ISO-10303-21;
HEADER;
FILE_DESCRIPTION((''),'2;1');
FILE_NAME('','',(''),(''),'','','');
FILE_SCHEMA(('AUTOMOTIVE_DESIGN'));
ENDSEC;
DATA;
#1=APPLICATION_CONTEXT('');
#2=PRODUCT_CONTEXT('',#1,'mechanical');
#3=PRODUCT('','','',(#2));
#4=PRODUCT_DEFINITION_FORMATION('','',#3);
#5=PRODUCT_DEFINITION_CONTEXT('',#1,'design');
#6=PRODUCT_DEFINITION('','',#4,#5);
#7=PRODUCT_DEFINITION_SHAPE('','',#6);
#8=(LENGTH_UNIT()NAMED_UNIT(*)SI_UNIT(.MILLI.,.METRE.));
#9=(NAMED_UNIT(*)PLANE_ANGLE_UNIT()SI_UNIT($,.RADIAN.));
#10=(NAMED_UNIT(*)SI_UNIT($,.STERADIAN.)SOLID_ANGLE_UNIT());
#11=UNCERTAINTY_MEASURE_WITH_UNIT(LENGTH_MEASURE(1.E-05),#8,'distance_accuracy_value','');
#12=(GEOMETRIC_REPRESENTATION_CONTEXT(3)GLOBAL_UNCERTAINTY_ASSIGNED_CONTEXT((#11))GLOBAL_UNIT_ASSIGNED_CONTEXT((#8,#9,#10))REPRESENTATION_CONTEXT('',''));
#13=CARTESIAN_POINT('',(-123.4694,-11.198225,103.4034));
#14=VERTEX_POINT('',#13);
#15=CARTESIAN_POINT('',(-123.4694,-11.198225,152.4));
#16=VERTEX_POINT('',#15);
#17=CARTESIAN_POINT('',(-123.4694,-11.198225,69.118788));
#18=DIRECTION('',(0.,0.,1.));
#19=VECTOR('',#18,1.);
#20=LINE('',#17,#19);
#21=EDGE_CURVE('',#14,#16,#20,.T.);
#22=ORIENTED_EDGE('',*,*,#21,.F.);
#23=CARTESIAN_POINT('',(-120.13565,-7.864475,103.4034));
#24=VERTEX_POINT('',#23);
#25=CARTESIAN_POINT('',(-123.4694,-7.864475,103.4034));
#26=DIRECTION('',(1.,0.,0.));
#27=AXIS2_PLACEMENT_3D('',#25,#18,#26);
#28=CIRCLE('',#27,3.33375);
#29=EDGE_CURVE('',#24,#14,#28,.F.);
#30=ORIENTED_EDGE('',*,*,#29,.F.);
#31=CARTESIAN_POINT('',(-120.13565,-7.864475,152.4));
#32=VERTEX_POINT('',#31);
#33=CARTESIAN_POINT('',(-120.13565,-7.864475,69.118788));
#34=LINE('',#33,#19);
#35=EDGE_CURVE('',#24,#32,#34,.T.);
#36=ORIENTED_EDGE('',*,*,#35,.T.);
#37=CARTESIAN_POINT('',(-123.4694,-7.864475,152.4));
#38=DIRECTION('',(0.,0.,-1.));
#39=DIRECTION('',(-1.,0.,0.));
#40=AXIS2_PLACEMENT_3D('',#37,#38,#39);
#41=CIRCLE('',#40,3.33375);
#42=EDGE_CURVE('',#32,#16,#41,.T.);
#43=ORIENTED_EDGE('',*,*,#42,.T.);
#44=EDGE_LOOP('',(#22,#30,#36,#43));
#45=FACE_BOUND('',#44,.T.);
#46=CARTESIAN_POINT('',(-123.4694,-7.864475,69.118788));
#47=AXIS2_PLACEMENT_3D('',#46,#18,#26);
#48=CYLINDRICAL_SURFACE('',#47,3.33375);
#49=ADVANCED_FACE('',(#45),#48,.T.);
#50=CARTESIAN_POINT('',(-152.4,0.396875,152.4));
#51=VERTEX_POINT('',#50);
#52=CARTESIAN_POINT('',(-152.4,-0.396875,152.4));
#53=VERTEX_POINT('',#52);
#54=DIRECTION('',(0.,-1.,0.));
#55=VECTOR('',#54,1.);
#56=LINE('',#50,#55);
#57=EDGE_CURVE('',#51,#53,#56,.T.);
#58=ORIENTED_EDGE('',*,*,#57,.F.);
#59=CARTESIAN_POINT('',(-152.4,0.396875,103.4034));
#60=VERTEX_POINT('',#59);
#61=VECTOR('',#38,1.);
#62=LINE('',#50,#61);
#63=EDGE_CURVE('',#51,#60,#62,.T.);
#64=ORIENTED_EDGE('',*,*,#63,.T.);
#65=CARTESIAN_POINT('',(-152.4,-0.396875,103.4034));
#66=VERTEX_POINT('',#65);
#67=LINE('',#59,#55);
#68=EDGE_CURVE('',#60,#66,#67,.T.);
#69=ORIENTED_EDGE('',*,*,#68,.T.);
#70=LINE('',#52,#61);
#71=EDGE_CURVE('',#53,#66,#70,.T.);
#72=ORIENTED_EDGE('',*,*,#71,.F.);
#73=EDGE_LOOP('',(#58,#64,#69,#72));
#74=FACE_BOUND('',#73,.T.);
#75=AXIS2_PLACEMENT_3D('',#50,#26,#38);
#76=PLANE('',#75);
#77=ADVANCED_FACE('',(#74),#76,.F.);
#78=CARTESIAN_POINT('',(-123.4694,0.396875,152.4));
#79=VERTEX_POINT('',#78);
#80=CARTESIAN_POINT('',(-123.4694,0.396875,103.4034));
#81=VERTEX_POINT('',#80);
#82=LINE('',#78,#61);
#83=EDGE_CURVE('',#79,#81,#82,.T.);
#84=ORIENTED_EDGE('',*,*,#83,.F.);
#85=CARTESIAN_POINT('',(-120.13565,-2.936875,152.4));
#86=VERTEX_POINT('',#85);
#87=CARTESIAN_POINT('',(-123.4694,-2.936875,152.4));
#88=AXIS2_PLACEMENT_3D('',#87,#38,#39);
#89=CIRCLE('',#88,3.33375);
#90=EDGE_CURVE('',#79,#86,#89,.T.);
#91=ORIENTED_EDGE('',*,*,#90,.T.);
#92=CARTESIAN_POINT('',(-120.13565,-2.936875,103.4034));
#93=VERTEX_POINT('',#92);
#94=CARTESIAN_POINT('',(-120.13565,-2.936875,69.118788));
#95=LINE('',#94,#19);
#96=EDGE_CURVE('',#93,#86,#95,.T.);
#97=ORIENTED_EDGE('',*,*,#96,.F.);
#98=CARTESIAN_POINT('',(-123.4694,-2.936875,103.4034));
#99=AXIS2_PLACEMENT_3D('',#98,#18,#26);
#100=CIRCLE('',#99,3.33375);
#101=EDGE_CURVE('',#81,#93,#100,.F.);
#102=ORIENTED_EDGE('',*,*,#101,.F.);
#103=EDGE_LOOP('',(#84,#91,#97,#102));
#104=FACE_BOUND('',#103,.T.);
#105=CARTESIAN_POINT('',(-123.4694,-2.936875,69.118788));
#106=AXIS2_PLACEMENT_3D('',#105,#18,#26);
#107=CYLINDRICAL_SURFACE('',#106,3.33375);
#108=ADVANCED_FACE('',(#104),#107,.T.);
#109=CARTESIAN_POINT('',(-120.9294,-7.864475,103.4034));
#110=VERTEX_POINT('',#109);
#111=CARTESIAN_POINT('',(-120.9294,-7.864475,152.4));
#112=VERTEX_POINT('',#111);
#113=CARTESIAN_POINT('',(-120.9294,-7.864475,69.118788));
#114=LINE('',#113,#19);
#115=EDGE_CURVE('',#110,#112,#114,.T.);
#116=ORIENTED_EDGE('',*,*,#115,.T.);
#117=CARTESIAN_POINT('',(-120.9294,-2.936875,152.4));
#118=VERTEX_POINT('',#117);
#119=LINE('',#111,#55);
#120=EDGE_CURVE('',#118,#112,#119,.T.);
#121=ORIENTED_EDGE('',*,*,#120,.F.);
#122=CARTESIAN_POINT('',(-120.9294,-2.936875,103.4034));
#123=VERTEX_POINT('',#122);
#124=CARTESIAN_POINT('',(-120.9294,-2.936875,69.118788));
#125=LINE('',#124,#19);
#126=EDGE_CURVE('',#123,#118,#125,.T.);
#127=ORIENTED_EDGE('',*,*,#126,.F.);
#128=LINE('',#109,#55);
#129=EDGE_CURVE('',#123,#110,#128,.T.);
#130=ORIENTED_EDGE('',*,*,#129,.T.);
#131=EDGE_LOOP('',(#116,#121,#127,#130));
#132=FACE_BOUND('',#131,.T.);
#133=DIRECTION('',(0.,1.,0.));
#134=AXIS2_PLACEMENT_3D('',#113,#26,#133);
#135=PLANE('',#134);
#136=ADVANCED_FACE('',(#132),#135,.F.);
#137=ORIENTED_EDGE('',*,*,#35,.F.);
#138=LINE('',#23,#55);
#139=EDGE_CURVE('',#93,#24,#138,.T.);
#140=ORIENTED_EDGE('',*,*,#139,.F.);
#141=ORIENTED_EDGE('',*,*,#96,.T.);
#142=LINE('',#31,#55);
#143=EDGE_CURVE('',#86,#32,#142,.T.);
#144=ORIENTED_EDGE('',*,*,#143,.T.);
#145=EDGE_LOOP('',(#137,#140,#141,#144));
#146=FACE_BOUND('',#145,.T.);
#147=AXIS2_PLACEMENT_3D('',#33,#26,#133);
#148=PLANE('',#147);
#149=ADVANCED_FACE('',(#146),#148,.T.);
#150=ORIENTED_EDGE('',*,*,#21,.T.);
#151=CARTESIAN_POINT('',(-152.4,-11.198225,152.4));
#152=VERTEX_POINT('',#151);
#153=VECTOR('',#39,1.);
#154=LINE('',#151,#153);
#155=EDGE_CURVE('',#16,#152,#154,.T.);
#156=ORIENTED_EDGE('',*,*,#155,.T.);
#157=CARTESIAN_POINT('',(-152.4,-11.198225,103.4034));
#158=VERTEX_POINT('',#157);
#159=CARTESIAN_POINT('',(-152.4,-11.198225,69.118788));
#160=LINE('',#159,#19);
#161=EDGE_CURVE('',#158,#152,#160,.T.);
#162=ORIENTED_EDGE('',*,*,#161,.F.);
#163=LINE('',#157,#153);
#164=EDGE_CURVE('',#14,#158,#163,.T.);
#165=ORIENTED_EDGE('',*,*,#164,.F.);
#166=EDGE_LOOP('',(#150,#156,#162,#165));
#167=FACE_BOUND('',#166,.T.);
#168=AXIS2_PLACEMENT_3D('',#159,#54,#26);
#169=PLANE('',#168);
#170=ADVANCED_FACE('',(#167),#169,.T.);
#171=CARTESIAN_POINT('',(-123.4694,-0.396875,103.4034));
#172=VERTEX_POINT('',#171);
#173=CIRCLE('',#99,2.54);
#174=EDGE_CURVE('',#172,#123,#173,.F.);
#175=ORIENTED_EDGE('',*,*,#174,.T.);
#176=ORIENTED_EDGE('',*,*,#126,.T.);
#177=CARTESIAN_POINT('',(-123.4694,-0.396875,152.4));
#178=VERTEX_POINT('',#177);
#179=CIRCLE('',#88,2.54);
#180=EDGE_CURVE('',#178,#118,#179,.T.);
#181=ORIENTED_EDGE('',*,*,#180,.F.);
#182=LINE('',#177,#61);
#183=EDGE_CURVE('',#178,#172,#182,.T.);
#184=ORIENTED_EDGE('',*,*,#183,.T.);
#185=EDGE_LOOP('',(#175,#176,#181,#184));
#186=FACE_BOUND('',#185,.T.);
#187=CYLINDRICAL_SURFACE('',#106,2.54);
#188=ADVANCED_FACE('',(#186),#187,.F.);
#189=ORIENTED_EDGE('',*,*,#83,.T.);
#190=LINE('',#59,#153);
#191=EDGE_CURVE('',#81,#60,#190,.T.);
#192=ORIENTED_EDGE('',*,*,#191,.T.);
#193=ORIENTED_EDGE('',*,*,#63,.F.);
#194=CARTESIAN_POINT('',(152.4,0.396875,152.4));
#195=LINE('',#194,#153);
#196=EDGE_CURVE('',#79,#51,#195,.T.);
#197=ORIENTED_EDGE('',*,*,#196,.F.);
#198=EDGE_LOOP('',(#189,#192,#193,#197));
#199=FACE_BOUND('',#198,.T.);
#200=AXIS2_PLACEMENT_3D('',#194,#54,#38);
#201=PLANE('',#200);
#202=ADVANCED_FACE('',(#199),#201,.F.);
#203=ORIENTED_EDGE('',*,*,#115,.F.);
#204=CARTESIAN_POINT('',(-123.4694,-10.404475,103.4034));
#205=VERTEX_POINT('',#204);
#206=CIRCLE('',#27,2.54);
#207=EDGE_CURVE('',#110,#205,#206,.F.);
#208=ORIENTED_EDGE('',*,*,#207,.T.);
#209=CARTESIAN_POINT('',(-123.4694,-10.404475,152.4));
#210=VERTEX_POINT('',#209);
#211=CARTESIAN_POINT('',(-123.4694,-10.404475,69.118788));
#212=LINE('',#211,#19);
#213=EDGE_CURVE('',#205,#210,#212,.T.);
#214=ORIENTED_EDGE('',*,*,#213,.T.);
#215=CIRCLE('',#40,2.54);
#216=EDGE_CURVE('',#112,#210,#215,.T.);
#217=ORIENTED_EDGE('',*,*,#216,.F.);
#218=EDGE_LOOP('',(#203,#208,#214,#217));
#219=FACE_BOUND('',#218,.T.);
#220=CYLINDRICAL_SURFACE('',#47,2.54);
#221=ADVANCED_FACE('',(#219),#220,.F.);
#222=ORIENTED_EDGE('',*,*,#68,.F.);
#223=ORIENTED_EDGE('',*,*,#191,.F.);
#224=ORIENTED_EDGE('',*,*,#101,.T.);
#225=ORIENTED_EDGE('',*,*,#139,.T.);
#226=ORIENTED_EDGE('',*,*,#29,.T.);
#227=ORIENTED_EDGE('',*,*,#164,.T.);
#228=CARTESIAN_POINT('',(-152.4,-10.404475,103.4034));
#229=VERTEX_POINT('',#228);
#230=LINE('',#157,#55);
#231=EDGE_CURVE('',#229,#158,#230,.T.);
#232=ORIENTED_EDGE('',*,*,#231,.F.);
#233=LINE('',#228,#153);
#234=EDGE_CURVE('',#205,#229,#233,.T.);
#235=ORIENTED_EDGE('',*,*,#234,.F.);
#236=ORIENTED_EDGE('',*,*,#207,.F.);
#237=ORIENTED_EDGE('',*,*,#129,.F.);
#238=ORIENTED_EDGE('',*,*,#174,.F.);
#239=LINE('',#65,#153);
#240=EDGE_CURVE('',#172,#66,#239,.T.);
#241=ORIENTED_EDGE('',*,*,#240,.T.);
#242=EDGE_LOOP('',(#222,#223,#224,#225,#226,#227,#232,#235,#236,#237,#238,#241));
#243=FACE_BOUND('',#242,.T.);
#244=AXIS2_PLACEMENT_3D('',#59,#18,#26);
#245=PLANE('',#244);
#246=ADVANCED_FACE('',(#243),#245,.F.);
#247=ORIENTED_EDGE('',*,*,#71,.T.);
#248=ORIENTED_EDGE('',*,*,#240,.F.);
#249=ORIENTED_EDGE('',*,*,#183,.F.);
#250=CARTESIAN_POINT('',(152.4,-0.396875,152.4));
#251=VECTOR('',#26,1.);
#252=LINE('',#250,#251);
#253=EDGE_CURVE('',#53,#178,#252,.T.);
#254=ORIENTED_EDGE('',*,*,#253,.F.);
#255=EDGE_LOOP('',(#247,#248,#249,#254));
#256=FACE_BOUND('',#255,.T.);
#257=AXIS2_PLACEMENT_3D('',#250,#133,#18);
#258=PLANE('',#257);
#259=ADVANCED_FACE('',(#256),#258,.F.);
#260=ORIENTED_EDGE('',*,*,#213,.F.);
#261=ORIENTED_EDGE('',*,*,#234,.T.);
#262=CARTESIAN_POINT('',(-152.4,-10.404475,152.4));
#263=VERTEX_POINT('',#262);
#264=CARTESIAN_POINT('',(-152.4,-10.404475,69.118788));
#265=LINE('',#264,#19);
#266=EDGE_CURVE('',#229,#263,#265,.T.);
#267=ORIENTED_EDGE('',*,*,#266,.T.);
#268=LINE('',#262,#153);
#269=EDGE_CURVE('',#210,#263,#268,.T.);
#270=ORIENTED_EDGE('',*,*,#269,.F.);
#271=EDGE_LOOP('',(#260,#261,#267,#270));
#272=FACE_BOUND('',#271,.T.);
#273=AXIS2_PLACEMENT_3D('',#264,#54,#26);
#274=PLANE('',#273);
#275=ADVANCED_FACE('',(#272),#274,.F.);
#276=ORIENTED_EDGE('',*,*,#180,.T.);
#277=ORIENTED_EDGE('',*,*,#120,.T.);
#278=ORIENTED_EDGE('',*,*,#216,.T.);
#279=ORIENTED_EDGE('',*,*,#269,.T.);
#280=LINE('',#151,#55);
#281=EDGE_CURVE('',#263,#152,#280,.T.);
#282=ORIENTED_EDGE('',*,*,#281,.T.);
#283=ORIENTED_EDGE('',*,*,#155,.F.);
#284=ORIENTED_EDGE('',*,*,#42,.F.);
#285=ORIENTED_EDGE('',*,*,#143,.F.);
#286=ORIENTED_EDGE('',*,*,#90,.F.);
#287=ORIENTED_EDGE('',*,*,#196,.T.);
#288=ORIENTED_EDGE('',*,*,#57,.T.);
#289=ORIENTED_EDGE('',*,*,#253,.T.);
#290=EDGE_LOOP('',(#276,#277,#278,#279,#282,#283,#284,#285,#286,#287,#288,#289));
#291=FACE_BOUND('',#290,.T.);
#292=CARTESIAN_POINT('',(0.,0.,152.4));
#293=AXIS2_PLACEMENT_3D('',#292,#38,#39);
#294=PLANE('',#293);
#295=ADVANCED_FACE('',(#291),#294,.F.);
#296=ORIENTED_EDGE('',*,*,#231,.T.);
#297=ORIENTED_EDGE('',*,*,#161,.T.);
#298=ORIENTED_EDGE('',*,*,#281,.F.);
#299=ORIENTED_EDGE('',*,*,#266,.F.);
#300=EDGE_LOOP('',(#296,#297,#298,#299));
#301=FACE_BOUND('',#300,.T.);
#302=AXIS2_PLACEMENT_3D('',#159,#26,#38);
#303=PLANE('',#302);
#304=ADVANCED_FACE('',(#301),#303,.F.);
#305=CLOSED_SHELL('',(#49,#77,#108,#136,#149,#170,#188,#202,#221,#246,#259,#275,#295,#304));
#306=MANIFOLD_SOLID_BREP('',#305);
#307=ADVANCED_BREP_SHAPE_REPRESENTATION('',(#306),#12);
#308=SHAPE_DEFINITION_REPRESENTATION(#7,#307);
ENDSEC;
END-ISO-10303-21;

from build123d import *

# Parameters (mm, degrees)
SKETCH3_W                       = 304.8
SKETCH3_H                       = 0.79375
BOSS_EXTRUDE1_DEPTH             = 152.4
BOSS_EXTRUDE1_DEPTH_BACK        = 152.4
SKETCH4_OUTSIDE_W               = 393.01
SKETCH4_OUTSIDE_H               = 393.01
SKETCH4_OUTSIDE_W_2             = 28.9306
SKETCH4_OUTSIDE_H_2             = 48.9966
CUT_EXTRUDE1_DEPTH              = 1.396875
CUT_EXTRUDE1_DEPTH_BACK         = 1.396875
EXTRUDE_THIN1_REACH             = 26.498
EXTRUDE_THIN1_DIRECTION_2_REACH = 26.498


with BuildPart() as part:
    # Sketch3 → Boss-Extrude1 (new body, two sides)
    with BuildSketch(Plane.XY) as boss_extrude1_sk:
        Rectangle(SKETCH3_W, SKETCH3_H)
    extrude(amount=BOSS_EXTRUDE1_DEPTH)
    extrude(boss_extrude1_sk.sketch, amount=-BOSS_EXTRUDE1_DEPTH_BACK)

    # Sketch4 outside → Cut-Extrude1 (cut, two sides)
    with BuildSketch(Plane(origin=(0, 0, 0), x_dir=(1, 0, 0), z_dir=(0, 1, 0))) as cut_extrude1_sk:
        Rectangle(SKETCH4_OUTSIDE_W, SKETCH4_OUTSIDE_H)
        with Locations((-137.9347, -127.9017)):
            Rectangle(SKETCH4_OUTSIDE_W_2, SKETCH4_OUTSIDE_H_2, mode=Mode.SUBTRACT)
    extrude(amount=CUT_EXTRUDE1_DEPTH, mode=Mode.SUBTRACT)
    extrude(cut_extrude1_sk.sketch, amount=-CUT_EXTRUDE1_DEPTH_BACK, mode=Mode.SUBTRACT)

    # Extrude-Thin1: up to this face of the body (flat: up to its plane)
    extrude_thin1_end = Plane(part.part.faces().sort_by_distance((-137.9347, 0, 103.4034))[0])
    # Sketch5 → Extrude-Thin1 (add, up to the picked face)
    with BuildSketch(Plane.XY.offset(127.9017), mode=Mode.PRIVATE) as extrude_thin1_sk1:
        with BuildLine():
            Line((-152.4, -10.404475), (-123.4694, -10.404475))
            ThreePointArc((-123.4694, -10.404475), (-121.673348776, -9.660526224), (-120.9294, -7.864475))
            Line((-120.9294, -7.864475), (-120.9294, -2.936875))
            ThreePointArc((-120.9294, -2.936875), (-121.673348776, -1.140823776), (-123.4694, -0.396875))
            Line((-123.4694, -0.396875), (-123.4694, 0.396875))
            ThreePointArc((-123.4694, 0.396875), (-121.112082768, -0.579557768), (-120.13565, -2.936875))
            Line((-120.13565, -2.936875), (-120.13565, -7.864475))
            ThreePointArc((-120.13565, -7.864475), (-121.112082768, -10.221792232), (-123.4694, -11.198225))
            Line((-123.4694, -11.198225), (-152.4, -11.198225))
            Line((-152.4, -11.198225), (-152.4, -10.404475))
        make_face()
    extrude_thin1_tool1 = split(extrude(extrude_thin1_sk1.sketch, amount=-EXTRUDE_THIN1_REACH, mode=Mode.PRIVATE), bisect_by=extrude_thin1_end, keep=Keep.BOTH, mode=Mode.PRIVATE)
    add(extrude_thin1_tool1.solids().sort_by_distance((-137.9347, -10.855379, 127.9017))[0])

    # Extrude-Thin1 direction 2: up to this face of the body (flat: up to its plane)
    extrude_thin1_direction_2_end = Plane(part.part.faces().sort_by_distance((-137.9347, 0, 152.4))[0])
    # Sketch5 → Extrude-Thin1 direction 2 (add, up to the picked face)
    with BuildSketch(Plane.XY.offset(127.9017), mode=Mode.PRIVATE) as extrude_thin1_direction_2_sk1:
        with BuildLine():
            Line((-152.4, -10.404475), (-123.4694, -10.404475))
            ThreePointArc((-123.4694, -10.404475), (-121.673348776, -9.660526224), (-120.9294, -7.864475))
            Line((-120.9294, -7.864475), (-120.9294, -2.936875))
            ThreePointArc((-120.9294, -2.936875), (-121.673348776, -1.140823776), (-123.4694, -0.396875))
            Line((-123.4694, -0.396875), (-123.4694, 0.396875))
            ThreePointArc((-123.4694, 0.396875), (-121.112082768, -0.579557768), (-120.13565, -2.936875))
            Line((-120.13565, -2.936875), (-120.13565, -7.864475))
            ThreePointArc((-120.13565, -7.864475), (-121.112082768, -10.221792232), (-123.4694, -11.198225))
            Line((-123.4694, -11.198225), (-152.4, -11.198225))
            Line((-152.4, -11.198225), (-152.4, -10.404475))
        make_face()
    extrude_thin1_direction_2_tool1 = split(extrude(extrude_thin1_direction_2_sk1.sketch, amount=EXTRUDE_THIN1_DIRECTION_2_REACH, mode=Mode.PRIVATE), bisect_by=extrude_thin1_direction_2_end, keep=Keep.BOTH, mode=Mode.PRIVATE)
    add(extrude_thin1_direction_2_tool1.solids().sort_by_distance((-137.9347, -10.855379, 127.9017))[0])


solid = part.part
